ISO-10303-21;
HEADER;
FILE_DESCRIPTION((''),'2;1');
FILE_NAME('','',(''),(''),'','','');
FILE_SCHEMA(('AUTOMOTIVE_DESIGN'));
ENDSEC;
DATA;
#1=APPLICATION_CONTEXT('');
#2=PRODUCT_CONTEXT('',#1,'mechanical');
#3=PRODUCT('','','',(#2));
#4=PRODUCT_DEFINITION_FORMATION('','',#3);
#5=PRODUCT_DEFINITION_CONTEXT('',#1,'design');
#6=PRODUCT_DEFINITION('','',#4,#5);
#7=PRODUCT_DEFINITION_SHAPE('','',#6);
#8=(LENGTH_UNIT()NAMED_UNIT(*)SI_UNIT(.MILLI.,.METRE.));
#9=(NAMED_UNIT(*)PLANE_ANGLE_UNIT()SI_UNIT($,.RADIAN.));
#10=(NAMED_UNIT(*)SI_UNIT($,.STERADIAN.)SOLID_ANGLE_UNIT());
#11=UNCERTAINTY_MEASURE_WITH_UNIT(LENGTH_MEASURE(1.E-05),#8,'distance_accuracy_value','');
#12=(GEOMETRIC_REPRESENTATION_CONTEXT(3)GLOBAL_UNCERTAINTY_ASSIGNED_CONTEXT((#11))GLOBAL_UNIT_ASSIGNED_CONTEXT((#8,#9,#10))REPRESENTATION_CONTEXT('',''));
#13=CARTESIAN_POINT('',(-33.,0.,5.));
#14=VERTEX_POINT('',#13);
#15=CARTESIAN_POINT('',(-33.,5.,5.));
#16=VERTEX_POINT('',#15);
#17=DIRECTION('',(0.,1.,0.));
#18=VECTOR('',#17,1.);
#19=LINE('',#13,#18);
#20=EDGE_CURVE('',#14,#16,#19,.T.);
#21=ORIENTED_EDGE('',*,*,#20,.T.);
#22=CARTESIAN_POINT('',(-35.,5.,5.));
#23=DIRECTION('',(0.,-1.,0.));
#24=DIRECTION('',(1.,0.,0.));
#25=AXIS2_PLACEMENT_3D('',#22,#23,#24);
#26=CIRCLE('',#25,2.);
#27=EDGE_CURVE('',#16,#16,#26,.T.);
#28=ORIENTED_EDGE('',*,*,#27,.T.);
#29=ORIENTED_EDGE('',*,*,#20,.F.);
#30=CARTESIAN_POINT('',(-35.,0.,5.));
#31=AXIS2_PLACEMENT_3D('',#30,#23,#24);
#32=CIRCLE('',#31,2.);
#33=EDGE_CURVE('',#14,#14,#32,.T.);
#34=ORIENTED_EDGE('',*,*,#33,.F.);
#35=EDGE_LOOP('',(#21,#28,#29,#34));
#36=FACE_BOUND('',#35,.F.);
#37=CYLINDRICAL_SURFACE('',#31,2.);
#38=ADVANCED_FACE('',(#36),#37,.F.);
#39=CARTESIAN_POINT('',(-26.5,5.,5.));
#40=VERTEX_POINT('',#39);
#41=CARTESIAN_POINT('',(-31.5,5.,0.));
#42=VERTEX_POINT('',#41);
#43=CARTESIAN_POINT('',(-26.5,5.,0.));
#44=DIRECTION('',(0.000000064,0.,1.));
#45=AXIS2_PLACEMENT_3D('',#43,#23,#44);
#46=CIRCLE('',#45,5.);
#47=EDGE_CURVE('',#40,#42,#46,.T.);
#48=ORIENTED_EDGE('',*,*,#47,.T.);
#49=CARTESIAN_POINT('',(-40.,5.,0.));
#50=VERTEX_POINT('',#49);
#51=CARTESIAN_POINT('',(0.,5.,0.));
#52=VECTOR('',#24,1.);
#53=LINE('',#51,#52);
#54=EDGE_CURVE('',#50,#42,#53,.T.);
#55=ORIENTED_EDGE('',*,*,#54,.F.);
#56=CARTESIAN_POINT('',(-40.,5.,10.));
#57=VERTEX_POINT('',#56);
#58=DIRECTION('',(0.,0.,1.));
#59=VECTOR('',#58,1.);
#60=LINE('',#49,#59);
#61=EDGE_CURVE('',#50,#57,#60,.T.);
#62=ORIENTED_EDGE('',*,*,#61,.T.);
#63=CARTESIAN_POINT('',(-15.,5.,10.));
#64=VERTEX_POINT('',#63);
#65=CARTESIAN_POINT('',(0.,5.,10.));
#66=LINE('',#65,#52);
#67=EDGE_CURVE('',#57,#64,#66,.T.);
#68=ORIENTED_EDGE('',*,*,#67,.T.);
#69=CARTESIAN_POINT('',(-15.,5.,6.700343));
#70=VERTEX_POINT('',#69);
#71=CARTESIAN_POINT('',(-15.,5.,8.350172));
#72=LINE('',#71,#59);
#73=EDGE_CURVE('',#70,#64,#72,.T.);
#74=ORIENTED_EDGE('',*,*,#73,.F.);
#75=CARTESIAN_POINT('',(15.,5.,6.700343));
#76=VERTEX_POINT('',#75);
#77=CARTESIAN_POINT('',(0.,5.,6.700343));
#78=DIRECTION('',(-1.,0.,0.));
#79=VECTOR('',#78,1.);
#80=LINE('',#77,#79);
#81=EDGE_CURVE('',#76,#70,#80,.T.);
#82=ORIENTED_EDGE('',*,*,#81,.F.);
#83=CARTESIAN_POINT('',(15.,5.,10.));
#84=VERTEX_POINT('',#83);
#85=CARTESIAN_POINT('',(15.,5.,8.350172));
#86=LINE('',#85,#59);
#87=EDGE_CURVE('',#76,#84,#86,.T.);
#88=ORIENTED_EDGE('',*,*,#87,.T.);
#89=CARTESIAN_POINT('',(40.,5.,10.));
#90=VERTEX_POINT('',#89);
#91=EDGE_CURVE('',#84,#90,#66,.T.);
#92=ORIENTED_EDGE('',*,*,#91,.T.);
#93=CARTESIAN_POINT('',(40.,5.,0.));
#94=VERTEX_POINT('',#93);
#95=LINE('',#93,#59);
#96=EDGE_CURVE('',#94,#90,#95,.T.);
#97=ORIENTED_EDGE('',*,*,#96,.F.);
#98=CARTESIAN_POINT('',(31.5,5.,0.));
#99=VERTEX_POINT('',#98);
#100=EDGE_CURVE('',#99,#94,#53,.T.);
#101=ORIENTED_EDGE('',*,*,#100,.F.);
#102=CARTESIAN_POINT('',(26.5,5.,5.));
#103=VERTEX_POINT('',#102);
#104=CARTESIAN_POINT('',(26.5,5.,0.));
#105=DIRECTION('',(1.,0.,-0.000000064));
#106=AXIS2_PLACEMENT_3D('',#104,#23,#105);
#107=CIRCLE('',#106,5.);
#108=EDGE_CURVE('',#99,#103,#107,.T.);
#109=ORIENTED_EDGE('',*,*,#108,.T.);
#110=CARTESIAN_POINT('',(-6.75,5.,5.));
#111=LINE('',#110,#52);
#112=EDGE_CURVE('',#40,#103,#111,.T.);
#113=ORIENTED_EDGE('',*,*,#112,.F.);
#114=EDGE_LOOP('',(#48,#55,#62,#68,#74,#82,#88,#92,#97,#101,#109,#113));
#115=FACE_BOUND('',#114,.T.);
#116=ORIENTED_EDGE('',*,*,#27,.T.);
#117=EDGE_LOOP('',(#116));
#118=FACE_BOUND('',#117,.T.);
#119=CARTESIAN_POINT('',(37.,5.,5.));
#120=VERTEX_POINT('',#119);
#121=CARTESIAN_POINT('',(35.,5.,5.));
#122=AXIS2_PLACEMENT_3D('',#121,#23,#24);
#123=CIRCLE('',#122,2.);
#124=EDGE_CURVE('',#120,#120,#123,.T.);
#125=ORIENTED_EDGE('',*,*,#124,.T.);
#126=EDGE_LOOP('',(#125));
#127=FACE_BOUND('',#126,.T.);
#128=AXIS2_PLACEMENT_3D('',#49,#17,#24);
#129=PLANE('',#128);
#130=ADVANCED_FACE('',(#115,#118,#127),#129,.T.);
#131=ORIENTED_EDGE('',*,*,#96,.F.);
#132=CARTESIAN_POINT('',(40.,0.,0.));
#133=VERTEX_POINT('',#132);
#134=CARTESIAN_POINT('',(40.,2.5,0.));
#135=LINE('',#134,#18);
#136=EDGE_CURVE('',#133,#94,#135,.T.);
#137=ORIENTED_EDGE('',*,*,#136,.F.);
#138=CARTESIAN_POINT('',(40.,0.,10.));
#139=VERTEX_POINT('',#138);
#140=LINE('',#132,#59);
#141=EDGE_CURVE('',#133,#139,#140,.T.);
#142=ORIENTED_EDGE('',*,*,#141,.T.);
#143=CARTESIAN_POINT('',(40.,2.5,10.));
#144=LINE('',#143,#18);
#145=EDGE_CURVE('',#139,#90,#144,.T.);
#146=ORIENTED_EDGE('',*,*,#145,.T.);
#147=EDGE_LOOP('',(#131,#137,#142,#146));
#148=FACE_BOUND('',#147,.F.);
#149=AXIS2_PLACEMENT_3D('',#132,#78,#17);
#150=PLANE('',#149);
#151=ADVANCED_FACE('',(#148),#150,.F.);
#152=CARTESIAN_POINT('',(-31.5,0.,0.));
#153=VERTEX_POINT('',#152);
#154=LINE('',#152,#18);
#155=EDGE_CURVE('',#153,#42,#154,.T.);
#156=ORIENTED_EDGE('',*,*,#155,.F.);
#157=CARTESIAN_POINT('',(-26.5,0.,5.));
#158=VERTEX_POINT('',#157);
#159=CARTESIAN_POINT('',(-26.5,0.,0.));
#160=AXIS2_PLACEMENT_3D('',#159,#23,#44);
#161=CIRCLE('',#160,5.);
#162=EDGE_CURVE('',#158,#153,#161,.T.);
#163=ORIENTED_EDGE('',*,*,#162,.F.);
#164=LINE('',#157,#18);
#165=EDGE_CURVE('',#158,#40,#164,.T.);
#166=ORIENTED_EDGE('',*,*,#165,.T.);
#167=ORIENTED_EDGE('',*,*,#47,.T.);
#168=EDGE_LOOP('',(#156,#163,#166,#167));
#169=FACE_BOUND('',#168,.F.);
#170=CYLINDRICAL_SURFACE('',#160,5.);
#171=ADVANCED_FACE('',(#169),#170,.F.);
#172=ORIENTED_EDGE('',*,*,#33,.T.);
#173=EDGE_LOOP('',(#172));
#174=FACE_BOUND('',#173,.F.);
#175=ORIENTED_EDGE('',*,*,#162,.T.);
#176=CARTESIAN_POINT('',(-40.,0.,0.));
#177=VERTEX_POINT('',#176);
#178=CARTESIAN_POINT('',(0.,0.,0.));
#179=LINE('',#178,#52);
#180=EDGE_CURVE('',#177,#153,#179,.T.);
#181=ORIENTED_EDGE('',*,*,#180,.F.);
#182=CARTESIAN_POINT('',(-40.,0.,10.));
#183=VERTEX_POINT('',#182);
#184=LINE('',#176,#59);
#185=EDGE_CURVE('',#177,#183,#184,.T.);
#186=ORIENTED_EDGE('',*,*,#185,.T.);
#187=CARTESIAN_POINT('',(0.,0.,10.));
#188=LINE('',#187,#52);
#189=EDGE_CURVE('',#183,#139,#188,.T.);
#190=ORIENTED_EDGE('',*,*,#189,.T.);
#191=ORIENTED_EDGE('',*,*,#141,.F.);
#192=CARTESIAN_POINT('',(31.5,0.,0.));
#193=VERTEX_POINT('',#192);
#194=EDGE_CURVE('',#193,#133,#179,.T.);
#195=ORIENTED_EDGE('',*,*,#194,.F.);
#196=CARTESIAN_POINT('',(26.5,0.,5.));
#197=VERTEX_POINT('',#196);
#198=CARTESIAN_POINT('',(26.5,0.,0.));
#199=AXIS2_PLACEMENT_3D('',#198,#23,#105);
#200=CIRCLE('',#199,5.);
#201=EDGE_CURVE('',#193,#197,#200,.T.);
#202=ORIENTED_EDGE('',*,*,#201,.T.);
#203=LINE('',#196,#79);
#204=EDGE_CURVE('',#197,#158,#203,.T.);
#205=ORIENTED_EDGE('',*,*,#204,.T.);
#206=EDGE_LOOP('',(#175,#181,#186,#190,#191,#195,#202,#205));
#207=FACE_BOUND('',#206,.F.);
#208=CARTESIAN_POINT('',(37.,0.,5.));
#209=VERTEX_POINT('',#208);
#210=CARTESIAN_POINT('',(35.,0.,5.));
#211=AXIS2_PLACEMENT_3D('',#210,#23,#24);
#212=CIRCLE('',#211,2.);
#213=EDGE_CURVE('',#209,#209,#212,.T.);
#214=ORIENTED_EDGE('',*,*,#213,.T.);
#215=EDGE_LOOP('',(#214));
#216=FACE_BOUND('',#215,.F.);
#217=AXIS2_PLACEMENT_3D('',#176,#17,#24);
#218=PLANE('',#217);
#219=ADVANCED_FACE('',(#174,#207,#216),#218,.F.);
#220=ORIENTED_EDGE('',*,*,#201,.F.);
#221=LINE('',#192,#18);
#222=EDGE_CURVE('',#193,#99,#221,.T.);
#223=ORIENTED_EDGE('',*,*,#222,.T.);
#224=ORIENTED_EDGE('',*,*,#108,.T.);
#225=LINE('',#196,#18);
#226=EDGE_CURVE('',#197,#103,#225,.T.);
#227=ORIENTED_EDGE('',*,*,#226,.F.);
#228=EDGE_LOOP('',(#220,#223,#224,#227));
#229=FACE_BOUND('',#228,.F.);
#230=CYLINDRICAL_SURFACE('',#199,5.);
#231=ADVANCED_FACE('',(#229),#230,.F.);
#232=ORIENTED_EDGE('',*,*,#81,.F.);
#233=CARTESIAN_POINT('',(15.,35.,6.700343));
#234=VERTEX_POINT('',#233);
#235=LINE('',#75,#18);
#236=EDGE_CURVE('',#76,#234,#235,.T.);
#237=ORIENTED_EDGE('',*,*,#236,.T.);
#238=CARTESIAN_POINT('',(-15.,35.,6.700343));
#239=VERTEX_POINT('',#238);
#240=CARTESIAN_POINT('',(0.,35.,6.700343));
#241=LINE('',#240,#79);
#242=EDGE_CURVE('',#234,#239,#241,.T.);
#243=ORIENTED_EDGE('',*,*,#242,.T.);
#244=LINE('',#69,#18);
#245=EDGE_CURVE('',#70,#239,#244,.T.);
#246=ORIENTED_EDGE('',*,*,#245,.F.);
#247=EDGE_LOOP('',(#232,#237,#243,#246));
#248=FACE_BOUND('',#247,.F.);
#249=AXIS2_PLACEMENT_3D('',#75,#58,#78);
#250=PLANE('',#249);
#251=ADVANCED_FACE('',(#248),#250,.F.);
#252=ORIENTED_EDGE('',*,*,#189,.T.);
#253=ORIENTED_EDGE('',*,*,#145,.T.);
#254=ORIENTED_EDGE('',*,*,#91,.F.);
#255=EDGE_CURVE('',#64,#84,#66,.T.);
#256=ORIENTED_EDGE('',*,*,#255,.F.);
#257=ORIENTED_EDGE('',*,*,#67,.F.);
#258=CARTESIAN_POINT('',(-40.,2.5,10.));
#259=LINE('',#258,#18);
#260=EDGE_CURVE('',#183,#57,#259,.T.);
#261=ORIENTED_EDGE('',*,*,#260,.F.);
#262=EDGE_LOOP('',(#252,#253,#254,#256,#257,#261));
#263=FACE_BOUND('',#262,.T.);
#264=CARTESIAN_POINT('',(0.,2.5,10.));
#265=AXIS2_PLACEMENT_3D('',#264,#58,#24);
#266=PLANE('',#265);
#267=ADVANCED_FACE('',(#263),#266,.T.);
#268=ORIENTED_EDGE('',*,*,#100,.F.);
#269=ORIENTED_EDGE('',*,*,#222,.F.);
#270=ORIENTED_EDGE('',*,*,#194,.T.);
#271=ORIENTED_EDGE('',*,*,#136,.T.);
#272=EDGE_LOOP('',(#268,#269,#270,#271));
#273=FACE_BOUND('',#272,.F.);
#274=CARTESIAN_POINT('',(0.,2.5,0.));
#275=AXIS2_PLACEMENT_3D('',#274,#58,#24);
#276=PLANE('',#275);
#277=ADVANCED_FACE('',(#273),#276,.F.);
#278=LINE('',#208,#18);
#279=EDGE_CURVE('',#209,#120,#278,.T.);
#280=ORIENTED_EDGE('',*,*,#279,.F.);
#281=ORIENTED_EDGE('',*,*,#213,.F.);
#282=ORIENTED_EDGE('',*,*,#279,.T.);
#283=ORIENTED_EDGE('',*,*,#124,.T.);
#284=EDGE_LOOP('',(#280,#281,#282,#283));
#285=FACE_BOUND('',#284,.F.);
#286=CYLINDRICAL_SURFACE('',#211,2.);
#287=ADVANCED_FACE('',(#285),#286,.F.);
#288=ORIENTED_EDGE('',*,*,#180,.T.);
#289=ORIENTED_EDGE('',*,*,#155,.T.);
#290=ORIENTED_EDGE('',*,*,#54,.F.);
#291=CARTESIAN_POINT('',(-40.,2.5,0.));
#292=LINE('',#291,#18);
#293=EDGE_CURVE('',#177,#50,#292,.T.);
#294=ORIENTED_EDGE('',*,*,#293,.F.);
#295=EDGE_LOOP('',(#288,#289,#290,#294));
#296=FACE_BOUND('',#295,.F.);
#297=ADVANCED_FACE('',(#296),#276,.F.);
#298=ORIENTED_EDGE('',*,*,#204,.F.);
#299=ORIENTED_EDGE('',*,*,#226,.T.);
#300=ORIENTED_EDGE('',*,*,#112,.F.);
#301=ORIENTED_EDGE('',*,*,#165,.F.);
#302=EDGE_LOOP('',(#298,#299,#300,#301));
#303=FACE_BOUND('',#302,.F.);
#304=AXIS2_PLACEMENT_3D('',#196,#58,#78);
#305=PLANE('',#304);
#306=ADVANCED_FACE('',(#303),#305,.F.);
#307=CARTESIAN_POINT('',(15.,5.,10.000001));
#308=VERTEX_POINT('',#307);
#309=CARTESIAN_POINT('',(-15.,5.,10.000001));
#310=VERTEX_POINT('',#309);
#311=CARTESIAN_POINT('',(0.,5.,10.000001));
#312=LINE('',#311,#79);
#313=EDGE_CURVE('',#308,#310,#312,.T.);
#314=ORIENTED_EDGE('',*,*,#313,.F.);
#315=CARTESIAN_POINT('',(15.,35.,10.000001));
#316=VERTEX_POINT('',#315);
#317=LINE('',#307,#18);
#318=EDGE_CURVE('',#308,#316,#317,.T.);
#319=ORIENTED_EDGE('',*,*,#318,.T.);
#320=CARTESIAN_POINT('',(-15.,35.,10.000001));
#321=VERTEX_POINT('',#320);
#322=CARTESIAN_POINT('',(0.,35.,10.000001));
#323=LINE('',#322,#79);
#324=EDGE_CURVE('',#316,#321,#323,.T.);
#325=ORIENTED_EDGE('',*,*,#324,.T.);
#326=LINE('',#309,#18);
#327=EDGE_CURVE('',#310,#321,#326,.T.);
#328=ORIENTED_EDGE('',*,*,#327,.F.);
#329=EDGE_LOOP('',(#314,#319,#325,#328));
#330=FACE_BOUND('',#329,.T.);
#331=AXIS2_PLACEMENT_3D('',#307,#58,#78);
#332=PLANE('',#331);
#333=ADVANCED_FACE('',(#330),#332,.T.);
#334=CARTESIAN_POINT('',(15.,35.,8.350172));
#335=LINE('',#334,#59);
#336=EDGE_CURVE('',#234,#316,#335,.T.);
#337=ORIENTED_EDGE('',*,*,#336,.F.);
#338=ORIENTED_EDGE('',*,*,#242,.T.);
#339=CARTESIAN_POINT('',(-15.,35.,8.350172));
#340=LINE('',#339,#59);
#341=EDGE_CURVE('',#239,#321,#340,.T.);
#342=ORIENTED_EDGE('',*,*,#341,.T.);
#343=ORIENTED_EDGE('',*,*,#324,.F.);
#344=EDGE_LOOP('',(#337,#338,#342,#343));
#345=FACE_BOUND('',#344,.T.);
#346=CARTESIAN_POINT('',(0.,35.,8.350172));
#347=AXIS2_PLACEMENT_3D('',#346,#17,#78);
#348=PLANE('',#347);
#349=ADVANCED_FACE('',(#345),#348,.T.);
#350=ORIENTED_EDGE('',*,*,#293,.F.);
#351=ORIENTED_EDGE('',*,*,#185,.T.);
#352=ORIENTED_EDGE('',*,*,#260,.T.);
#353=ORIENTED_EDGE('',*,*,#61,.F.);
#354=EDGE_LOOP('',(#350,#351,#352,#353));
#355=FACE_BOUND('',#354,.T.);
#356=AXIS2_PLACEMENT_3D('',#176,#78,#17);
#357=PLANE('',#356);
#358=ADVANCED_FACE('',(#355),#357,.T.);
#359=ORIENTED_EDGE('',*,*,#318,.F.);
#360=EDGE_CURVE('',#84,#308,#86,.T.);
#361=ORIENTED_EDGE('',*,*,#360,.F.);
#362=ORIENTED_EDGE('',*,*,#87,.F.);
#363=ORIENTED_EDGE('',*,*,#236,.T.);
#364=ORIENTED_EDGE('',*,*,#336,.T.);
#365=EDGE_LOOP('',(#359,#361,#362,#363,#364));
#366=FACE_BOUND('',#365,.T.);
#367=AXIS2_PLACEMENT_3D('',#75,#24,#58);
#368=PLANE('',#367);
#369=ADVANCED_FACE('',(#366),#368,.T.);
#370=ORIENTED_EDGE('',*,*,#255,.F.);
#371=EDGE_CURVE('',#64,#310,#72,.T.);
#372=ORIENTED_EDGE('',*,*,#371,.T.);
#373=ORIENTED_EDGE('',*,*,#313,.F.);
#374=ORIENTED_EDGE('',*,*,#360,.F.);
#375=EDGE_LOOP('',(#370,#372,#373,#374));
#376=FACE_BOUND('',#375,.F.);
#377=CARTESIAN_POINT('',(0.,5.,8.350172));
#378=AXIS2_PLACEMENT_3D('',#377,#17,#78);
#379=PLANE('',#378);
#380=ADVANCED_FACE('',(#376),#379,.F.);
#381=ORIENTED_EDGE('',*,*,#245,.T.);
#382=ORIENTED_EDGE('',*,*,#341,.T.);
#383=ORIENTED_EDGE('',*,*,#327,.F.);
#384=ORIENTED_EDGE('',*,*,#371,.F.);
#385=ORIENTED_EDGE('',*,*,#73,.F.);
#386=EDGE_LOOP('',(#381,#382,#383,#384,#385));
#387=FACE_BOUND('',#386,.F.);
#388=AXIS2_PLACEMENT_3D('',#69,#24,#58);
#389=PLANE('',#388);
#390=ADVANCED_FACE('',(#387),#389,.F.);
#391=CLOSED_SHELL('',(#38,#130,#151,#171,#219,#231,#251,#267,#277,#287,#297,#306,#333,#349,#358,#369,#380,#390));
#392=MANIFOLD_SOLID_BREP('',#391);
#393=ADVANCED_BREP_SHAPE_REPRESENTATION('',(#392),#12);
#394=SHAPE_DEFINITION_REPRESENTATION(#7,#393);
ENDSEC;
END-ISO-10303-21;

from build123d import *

# Parameters (mm, degrees)
F0_W     = 80
F0_H     = 5
F1_DEPTH = 10
F2_R     = 2
F3_DEPTH = 5.001
F4_W     = 30
F4_H     = 3.299657
F5_DEPTH = 30


with BuildPart() as f1:
    # F0 (on Top) → F1 (new body)
    with BuildSketch(Plane.XY):
        with Locations((0, 2.5)):
            Rectangle(F0_W, F0_H)
    extrude(amount=F1_DEPTH)

    # F2 (on face) → F3 (cut, through all)
    with BuildSketch(Plane.XZ):
        with Locations((35, 5)):
            Circle(F2_R)
        with Locations((-35, 5)):
            Circle(F2_R)
        with BuildLine():
            Line((25, 5), (-25, 5))
            Line((-25, 5), (-26.5, 5))
            ThreePointArc((-26.5, 5), (-30.035534, 3.535534), (-31.5, 0))
            Line((-31.5, 0), (-25, 0))
            Line((-25, 0), (25, 0))
            Line((25, 0), (31.5, 0))
            ThreePointArc((31.5, 0), (30.035534, 3.535534), (26.5, 5))
            Line((26.5, 5), (25, 5))
        make_face()
    extrude(amount=-F3_DEPTH, mode=Mode.SUBTRACT)

    # F4 (on face) → F5 (join)
    with BuildSketch(Plane(origin=(0, 5, 0), x_dir=(-1, 0, 0), z_dir=(0, 1, 0))):
        with Locations((0, 8.350172)):
            Rectangle(F4_W, F4_H)
    extrude(amount=F5_DEPTH)


solid = f1.part
